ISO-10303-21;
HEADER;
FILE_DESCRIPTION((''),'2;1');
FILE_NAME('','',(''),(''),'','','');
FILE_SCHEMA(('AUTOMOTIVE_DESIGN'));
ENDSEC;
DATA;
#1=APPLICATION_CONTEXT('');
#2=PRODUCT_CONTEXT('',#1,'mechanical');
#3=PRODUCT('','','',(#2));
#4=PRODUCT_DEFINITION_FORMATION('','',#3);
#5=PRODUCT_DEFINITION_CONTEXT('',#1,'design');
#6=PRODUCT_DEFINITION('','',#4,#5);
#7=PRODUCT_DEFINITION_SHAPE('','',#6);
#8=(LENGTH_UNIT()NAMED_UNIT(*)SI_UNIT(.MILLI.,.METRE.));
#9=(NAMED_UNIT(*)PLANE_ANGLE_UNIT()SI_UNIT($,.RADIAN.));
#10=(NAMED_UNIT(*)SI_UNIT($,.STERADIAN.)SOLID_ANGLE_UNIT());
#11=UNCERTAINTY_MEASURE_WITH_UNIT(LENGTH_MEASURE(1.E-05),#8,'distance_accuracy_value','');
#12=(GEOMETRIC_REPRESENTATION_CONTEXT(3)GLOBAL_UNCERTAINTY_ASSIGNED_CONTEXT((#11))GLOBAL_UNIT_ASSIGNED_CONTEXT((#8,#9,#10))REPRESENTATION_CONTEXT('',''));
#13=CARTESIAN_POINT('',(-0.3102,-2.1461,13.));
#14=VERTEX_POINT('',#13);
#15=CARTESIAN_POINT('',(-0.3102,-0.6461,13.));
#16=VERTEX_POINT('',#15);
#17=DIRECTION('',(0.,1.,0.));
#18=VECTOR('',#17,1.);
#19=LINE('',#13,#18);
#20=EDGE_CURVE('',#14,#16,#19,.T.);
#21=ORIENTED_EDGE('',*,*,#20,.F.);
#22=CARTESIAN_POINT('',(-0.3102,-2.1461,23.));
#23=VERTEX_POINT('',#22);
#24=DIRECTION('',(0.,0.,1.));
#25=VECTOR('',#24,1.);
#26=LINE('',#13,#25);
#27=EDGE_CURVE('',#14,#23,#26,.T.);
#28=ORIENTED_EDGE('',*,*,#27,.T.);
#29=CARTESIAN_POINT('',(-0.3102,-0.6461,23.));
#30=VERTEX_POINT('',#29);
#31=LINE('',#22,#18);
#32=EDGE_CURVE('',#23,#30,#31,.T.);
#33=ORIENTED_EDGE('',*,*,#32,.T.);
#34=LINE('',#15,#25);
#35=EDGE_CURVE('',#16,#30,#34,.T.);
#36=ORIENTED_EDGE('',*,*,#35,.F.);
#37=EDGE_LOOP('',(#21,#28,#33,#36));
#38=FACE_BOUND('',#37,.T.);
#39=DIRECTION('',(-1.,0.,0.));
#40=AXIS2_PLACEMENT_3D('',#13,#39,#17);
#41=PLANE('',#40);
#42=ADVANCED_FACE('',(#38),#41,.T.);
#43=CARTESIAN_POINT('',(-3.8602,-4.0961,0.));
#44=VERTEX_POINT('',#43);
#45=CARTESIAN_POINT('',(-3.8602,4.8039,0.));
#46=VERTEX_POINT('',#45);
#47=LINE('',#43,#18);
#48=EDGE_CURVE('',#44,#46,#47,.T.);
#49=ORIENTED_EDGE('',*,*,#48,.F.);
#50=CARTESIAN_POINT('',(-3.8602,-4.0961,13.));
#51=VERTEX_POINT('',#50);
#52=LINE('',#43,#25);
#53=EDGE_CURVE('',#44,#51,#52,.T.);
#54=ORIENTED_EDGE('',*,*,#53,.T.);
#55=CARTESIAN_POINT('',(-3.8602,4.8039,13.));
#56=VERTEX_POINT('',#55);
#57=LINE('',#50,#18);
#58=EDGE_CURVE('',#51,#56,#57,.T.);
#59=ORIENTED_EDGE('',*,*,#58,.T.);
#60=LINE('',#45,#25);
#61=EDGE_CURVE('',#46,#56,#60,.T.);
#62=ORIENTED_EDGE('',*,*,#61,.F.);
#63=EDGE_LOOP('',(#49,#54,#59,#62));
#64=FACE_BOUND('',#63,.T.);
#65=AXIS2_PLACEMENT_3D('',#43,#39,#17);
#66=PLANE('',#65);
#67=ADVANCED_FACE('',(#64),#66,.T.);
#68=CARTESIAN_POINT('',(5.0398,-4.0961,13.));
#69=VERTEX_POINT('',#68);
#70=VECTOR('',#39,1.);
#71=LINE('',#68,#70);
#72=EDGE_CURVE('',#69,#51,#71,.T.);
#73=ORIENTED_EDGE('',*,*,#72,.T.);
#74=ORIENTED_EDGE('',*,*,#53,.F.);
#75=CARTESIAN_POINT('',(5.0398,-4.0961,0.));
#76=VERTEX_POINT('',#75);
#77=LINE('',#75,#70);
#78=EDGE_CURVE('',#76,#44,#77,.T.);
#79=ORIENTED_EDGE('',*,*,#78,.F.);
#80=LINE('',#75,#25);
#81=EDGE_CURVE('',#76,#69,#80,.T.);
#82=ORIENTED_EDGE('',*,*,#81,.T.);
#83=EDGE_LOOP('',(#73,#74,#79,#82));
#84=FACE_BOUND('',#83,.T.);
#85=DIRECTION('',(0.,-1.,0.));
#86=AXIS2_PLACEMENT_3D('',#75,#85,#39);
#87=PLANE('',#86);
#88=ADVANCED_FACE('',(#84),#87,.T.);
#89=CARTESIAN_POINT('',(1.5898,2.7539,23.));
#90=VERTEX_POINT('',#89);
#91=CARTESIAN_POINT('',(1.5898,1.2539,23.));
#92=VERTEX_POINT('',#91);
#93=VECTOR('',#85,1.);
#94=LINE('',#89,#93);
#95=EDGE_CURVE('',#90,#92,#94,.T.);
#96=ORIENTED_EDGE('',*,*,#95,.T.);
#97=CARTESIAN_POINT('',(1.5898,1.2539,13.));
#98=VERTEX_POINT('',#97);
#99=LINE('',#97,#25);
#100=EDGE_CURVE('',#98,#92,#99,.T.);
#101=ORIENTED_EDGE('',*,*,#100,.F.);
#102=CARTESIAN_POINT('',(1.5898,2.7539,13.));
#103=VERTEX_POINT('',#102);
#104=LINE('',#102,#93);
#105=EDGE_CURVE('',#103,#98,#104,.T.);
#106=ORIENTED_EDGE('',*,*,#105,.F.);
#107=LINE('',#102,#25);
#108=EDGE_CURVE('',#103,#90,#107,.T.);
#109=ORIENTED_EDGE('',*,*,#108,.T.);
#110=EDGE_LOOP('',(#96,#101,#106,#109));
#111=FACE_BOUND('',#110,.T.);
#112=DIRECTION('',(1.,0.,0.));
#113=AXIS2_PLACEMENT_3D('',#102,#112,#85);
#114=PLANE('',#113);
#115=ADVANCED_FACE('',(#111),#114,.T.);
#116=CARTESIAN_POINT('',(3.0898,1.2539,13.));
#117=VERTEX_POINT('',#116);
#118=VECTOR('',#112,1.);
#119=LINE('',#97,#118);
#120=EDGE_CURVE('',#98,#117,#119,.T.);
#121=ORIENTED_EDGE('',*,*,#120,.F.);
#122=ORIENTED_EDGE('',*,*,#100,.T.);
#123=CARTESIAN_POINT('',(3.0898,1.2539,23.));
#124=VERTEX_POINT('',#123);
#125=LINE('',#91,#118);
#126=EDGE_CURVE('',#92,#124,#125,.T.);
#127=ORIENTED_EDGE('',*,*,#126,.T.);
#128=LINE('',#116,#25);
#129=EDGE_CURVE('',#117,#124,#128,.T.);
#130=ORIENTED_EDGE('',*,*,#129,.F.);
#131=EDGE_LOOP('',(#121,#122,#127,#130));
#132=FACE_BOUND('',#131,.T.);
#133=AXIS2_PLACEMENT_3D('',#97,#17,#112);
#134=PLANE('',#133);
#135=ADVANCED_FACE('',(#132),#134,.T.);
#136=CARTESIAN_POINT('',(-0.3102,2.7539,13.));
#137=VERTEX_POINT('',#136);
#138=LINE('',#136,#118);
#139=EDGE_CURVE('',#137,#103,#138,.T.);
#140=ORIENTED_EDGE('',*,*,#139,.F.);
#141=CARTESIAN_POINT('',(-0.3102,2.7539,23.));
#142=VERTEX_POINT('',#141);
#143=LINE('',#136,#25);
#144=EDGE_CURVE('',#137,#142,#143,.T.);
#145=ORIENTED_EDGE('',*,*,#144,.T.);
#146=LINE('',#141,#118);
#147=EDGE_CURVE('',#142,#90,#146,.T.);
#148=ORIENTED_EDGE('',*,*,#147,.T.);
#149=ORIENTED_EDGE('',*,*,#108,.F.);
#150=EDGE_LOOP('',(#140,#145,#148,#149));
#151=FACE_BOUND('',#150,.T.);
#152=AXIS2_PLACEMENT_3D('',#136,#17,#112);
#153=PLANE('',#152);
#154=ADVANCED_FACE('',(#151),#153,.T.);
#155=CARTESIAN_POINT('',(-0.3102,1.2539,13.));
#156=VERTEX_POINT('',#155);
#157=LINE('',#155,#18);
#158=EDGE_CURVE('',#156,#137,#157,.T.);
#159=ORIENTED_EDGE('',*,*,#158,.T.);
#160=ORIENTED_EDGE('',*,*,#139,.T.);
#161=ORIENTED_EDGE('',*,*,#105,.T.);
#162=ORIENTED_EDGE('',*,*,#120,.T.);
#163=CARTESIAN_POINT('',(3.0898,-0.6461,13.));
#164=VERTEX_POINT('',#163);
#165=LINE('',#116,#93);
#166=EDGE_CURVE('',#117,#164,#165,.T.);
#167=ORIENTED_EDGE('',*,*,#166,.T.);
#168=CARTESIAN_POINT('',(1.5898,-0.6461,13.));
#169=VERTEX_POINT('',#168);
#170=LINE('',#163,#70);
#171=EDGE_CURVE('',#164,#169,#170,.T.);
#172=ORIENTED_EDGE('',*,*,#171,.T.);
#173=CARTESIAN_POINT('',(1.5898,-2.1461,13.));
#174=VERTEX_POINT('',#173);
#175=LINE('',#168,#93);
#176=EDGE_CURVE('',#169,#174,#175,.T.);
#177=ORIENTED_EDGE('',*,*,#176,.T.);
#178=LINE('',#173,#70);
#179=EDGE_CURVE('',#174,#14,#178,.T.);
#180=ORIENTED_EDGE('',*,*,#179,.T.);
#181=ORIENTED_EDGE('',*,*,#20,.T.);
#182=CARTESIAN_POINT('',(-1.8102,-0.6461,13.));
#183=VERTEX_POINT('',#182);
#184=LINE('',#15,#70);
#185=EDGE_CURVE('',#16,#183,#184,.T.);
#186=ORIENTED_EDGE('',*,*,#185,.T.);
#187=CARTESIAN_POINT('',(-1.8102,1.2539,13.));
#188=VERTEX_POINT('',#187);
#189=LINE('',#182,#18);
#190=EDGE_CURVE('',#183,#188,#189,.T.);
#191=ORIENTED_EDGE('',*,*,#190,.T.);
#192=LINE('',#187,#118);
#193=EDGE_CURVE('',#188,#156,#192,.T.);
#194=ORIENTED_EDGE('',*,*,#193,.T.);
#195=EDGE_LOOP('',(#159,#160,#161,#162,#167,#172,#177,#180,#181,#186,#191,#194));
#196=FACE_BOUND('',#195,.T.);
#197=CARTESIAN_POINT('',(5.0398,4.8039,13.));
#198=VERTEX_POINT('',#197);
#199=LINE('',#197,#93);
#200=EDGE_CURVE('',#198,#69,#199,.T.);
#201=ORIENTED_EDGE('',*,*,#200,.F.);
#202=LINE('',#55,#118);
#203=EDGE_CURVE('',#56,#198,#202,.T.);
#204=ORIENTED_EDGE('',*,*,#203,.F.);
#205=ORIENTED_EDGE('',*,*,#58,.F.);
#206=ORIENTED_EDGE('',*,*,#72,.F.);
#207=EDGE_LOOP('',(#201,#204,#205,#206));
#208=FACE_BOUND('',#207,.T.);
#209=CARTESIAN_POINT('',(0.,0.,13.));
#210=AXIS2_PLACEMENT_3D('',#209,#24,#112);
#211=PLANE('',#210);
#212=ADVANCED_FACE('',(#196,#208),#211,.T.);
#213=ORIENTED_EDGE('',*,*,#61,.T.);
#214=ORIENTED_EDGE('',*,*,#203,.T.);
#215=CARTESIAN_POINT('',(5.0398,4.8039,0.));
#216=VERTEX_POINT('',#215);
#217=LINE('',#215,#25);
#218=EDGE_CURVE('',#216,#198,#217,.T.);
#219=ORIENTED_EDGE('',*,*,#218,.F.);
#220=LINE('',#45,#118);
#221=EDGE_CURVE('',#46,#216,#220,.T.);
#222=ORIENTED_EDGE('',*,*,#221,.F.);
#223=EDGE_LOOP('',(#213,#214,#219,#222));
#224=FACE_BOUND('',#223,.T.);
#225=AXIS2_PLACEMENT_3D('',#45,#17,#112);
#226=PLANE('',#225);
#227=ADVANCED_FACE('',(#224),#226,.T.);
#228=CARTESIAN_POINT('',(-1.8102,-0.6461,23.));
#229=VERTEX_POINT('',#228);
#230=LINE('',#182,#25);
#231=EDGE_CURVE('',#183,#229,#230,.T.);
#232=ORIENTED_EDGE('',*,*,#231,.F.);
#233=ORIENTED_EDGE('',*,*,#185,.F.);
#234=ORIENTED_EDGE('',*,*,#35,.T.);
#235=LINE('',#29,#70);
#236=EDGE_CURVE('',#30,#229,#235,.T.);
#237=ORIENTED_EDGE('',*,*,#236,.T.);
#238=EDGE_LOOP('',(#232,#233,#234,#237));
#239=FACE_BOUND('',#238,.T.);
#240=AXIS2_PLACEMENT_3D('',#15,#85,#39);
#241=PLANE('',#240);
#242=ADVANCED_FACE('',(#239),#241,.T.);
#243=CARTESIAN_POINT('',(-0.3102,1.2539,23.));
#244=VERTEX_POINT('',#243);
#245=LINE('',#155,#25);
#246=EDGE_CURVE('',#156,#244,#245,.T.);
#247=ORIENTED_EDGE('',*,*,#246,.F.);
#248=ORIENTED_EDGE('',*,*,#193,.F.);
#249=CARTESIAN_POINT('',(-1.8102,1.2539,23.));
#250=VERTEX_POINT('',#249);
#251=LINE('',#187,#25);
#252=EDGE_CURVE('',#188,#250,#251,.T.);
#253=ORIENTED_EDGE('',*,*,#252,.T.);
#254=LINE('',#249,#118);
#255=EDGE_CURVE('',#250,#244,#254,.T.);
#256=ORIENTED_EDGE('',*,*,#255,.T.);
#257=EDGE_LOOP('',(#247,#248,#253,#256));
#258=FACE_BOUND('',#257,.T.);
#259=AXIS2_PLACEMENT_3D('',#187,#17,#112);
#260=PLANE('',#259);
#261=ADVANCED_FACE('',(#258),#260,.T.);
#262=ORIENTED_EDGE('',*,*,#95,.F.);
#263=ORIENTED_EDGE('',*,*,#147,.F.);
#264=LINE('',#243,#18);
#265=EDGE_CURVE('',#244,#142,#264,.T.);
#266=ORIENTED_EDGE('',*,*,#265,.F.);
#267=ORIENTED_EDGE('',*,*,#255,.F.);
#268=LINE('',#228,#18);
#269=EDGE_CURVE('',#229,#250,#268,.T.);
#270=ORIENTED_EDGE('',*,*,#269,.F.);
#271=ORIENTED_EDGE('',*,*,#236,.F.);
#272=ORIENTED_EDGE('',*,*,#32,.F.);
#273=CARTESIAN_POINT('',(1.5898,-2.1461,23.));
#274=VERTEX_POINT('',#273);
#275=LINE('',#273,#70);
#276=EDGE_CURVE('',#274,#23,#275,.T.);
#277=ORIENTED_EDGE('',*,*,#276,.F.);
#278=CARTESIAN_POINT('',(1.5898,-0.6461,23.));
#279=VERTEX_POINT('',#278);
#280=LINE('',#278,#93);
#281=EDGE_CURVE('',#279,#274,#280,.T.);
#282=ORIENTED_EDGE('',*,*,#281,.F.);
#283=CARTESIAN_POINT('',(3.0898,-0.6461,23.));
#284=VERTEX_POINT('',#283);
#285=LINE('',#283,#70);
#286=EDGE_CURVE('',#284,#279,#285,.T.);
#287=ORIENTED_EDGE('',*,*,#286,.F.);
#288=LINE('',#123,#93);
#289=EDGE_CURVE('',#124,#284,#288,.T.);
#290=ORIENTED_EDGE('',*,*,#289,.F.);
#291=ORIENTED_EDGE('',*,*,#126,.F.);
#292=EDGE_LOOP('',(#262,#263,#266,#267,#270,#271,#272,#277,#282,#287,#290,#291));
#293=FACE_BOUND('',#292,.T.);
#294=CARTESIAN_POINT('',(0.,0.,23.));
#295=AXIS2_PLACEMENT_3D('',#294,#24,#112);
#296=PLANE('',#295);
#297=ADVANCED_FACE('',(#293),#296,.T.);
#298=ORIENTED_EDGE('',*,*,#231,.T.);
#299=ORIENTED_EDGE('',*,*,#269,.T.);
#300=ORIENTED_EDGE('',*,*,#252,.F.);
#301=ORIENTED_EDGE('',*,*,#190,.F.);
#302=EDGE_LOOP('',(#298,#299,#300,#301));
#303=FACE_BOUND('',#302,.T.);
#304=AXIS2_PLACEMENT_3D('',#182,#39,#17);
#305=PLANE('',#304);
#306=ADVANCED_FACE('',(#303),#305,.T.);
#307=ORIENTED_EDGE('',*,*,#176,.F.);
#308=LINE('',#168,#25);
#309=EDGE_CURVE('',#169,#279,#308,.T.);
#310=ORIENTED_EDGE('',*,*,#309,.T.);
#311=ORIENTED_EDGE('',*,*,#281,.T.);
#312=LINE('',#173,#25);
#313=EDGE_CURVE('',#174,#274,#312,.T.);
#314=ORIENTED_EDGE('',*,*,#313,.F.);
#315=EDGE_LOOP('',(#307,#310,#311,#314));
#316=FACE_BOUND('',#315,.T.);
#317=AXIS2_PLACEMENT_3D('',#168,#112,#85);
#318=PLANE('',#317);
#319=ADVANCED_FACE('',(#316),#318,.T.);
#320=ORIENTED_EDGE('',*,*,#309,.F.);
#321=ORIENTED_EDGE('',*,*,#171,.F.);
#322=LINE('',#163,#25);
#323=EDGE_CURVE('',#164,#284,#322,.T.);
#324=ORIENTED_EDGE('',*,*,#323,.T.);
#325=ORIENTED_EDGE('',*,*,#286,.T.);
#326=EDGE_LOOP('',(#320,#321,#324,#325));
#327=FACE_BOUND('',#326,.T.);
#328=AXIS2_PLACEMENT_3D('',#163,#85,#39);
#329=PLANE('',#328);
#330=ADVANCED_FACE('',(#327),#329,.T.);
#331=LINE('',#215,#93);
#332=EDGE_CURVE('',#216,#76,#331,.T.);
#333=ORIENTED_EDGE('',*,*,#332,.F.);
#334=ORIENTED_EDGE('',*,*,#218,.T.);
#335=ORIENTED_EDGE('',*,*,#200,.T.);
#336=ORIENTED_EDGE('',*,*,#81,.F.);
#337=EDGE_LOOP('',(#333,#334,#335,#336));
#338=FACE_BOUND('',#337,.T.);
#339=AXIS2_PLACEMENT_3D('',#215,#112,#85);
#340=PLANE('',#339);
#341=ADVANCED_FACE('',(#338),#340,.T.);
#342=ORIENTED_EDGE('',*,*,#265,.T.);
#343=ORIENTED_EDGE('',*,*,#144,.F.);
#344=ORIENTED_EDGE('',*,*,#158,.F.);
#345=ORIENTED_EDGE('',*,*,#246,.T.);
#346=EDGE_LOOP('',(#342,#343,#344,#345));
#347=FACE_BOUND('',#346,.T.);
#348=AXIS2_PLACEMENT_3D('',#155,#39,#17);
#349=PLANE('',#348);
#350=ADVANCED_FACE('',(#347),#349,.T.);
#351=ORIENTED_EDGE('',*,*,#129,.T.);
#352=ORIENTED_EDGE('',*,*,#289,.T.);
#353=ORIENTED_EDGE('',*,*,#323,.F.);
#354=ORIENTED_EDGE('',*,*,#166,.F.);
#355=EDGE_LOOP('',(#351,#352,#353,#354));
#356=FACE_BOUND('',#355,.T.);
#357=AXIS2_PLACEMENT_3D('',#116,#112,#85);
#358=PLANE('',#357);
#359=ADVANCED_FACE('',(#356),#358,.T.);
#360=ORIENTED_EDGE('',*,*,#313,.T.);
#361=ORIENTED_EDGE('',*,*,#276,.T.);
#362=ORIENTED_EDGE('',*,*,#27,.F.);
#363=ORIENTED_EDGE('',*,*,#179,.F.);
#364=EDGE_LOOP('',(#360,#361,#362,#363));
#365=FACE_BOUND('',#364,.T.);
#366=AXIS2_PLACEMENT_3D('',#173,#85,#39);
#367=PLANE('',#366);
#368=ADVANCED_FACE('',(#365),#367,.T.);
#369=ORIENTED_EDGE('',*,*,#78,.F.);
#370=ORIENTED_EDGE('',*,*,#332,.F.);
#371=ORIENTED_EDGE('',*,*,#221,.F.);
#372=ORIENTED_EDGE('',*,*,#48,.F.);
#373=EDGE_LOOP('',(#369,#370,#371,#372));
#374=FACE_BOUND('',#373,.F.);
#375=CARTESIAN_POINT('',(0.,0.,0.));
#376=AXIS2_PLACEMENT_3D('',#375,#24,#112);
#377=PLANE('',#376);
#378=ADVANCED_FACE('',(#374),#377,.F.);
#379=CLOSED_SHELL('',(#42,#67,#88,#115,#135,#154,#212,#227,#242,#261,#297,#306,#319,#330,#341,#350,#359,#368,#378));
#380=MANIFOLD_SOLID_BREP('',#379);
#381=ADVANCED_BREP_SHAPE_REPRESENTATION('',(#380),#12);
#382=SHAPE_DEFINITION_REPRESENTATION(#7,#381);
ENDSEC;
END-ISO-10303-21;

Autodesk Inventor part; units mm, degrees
ref_plane "YZ Plane" through (0, 0, 0) normal (1, 0, 0) x (0, 1, 0)
ref_plane "XZ Plane" through (0, 0, 0) normal (0, 1, 0) x (-1, 0, 0)
ref_plane "XY Plane" through (0, 0, 0) normal (0, 0, 1) x (1, 0, 0)
sketch "Sketch1" plane through (0, 0, 0) normal (0, 0, 1) x (1, 0, 0)
  line L0 (-3.8602, 4.8039) -> (5.0398, 4.8039)
  line L1 (5.0398, 4.8039) -> (5.0398, -4.0961)
  line L2 (5.0398, -4.0961) -> (-3.8602, -4.0961)
  line L3 (-3.8602, -4.0961) -> (-3.8602, 4.8039)
  point P0 (0, 0)
  dimension "d0" = 8.9
  dimension "d1" = 8.9
extrude "Extrusion1" add sketch "Sketch1" along normal blind 13
sketch "Sketch2" plane through (0, 0, 13) normal (0, 0, 1) x (1, 0, 0)
  line L0 (-0.3102, 2.7539) -> (1.5898, 2.7539)
  line L1 (1.5898, -2.1461) -> (-0.3102, -2.1461)
  line L2 (3.0898, 1.2539) -> (3.0898, -0.6461)
  line L3 (-1.8102, -0.6461) -> (-1.8102, 1.2539)
  line L4 (-3.8602, 4.8039) -> (5.0398, 4.8039) projected
  line L5 (-3.8602, -4.0961) -> (-3.8602, 4.8039) projected
  line L6 (5.0398, 4.8039) -> (5.0398, -4.0961) projected
  line L7 (-3.8602, -4.0961) -> (5.0398, -4.0961) projected
  line L8 (-1.8102, 1.2539) -> (-0.3102, 1.2539)
  line L9 (1.5898, 1.2539) -> (3.0898, 1.2539)
  line L10 (-0.3102, -2.1461) -> (-0.3102, -0.6461)
  line L11 (-0.3102, 1.2539) -> (-0.3102, 2.7539)
  line L12 (3.0898, -0.6461) -> (1.5898, -0.6461)
  line L13 (-0.3102, -0.6461) -> (-1.8102, -0.6461)
  line L14 (1.5898, 2.7539) -> (1.5898, 1.2539)
  line L15 (1.5898, -0.6461) -> (1.5898, -2.1461)
  point P0 (0, 0)
  dimension "d4" = 1.9
  dimension "d5" = 1.9
  dimension "d6" = 4.9
  dimension "d7" = 4.9
extrude "Extrusion2" add sketch "Sketch2" along normal blind 10 contours L0 L14 L9 L2 L12 L15 L1 L10 L13 L3 L8 L11
properties part number "ClutchAdapter"
